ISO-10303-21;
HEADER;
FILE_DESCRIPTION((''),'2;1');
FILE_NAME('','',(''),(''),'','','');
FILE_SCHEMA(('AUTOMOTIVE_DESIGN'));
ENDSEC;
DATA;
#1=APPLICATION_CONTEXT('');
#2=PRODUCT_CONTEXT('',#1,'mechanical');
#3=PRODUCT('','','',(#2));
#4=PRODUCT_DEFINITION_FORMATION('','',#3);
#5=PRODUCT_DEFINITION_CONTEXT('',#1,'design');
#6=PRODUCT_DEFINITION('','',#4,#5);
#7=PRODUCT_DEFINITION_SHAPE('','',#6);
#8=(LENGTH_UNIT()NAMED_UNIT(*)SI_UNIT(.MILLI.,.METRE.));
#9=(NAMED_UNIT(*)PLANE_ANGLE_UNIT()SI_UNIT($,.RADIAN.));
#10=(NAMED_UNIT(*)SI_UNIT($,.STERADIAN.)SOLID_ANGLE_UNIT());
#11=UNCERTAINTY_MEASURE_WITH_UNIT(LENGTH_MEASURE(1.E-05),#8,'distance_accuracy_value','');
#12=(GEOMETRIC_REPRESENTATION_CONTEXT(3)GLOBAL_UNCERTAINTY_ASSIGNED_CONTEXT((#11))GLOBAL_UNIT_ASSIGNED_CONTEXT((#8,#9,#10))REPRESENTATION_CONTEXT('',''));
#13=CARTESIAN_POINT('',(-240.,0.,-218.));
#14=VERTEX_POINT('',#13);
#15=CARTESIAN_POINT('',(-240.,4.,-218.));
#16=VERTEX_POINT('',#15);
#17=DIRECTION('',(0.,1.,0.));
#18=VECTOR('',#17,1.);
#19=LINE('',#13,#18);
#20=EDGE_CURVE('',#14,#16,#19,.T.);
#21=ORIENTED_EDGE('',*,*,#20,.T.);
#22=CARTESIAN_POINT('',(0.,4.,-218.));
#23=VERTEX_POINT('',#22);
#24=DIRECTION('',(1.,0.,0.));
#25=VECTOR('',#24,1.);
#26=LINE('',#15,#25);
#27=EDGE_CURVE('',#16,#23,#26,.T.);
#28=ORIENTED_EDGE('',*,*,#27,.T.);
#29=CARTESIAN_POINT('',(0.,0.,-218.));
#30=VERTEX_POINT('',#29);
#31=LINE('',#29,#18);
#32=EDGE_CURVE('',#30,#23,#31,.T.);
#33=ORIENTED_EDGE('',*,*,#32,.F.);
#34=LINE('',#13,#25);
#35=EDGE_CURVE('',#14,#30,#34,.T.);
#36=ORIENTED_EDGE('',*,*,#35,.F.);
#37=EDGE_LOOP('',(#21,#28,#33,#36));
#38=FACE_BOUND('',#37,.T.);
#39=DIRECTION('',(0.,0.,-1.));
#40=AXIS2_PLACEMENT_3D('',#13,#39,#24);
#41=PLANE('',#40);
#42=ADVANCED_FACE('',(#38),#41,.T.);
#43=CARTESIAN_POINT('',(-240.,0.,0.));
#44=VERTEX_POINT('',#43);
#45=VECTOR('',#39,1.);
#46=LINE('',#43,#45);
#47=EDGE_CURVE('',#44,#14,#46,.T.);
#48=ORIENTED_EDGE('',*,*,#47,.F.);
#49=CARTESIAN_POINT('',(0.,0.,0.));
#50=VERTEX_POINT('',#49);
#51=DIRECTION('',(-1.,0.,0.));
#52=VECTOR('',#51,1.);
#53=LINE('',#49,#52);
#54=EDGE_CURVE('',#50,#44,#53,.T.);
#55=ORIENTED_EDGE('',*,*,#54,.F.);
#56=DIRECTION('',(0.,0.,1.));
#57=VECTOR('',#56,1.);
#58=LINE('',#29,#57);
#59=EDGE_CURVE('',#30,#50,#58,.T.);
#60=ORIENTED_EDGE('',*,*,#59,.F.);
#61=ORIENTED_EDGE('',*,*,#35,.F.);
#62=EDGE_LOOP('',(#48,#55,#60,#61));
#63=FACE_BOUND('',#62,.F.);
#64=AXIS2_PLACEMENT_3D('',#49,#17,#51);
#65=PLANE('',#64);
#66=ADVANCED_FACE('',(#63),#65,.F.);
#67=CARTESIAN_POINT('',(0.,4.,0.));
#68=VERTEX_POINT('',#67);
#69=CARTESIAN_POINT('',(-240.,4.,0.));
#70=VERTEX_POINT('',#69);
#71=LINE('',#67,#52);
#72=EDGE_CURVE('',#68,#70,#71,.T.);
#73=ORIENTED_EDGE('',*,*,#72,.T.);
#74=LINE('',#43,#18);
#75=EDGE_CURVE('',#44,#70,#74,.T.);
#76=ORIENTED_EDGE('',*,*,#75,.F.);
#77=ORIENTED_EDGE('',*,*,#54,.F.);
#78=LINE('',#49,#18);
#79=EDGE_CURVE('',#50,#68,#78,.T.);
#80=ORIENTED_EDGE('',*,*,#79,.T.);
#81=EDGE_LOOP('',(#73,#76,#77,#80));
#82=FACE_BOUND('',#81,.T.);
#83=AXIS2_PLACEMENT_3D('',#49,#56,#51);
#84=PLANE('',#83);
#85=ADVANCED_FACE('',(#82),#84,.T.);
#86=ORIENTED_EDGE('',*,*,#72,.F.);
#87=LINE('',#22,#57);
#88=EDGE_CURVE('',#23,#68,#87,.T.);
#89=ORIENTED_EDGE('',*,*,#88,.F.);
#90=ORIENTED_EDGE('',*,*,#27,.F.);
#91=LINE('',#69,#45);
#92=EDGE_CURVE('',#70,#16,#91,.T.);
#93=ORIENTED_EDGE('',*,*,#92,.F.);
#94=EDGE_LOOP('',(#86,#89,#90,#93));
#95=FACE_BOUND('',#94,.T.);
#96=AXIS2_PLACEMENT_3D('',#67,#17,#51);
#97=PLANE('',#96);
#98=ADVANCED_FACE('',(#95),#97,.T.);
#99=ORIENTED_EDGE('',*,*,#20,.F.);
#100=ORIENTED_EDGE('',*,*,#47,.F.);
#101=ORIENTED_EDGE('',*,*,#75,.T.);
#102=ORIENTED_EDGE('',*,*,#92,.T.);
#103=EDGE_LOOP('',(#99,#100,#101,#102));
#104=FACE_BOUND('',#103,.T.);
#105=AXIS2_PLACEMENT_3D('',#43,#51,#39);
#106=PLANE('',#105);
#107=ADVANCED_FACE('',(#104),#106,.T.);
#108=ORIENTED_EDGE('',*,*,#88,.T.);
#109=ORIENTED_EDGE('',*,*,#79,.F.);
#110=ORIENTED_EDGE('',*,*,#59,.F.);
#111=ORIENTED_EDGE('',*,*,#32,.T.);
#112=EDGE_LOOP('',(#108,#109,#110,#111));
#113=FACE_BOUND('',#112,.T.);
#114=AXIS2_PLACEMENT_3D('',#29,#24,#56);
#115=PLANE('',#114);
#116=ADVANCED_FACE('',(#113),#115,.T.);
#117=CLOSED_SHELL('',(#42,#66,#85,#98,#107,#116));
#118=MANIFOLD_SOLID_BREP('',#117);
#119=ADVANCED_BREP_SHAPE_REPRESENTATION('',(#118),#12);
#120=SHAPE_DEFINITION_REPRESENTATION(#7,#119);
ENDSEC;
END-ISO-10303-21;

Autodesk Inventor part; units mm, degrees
ref_plane "YZ Plane" through (0, 0, 0) normal (1, 0, 0) x (0, 1, 0)
ref_plane "XZ Plane" through (0, 0, 0) normal (0, 1, 0) x (-1, 0, 0)
ref_plane "XY Plane" through (0, 0, 0) normal (0, 0, 1) x (1, 0, 0)
sketch "Skizze1" plane through (0, 0, 0) normal (0, 1, 0) x (-1, 0, 0)
  line L0 (0, 0) -> (240, 0)
  line L1 (240, 0) -> (240, -218)
  line L2 (240, -218) -> (0, -218)
  line L3 (0, -218) -> (0, 0)
  dimension "d0" = 240
  dimension "d1" = 218
extrude "Extrusion1" add sketch "Skizze1" along normal blind 4
properties part number "frontPlatte" material "Pappel"
